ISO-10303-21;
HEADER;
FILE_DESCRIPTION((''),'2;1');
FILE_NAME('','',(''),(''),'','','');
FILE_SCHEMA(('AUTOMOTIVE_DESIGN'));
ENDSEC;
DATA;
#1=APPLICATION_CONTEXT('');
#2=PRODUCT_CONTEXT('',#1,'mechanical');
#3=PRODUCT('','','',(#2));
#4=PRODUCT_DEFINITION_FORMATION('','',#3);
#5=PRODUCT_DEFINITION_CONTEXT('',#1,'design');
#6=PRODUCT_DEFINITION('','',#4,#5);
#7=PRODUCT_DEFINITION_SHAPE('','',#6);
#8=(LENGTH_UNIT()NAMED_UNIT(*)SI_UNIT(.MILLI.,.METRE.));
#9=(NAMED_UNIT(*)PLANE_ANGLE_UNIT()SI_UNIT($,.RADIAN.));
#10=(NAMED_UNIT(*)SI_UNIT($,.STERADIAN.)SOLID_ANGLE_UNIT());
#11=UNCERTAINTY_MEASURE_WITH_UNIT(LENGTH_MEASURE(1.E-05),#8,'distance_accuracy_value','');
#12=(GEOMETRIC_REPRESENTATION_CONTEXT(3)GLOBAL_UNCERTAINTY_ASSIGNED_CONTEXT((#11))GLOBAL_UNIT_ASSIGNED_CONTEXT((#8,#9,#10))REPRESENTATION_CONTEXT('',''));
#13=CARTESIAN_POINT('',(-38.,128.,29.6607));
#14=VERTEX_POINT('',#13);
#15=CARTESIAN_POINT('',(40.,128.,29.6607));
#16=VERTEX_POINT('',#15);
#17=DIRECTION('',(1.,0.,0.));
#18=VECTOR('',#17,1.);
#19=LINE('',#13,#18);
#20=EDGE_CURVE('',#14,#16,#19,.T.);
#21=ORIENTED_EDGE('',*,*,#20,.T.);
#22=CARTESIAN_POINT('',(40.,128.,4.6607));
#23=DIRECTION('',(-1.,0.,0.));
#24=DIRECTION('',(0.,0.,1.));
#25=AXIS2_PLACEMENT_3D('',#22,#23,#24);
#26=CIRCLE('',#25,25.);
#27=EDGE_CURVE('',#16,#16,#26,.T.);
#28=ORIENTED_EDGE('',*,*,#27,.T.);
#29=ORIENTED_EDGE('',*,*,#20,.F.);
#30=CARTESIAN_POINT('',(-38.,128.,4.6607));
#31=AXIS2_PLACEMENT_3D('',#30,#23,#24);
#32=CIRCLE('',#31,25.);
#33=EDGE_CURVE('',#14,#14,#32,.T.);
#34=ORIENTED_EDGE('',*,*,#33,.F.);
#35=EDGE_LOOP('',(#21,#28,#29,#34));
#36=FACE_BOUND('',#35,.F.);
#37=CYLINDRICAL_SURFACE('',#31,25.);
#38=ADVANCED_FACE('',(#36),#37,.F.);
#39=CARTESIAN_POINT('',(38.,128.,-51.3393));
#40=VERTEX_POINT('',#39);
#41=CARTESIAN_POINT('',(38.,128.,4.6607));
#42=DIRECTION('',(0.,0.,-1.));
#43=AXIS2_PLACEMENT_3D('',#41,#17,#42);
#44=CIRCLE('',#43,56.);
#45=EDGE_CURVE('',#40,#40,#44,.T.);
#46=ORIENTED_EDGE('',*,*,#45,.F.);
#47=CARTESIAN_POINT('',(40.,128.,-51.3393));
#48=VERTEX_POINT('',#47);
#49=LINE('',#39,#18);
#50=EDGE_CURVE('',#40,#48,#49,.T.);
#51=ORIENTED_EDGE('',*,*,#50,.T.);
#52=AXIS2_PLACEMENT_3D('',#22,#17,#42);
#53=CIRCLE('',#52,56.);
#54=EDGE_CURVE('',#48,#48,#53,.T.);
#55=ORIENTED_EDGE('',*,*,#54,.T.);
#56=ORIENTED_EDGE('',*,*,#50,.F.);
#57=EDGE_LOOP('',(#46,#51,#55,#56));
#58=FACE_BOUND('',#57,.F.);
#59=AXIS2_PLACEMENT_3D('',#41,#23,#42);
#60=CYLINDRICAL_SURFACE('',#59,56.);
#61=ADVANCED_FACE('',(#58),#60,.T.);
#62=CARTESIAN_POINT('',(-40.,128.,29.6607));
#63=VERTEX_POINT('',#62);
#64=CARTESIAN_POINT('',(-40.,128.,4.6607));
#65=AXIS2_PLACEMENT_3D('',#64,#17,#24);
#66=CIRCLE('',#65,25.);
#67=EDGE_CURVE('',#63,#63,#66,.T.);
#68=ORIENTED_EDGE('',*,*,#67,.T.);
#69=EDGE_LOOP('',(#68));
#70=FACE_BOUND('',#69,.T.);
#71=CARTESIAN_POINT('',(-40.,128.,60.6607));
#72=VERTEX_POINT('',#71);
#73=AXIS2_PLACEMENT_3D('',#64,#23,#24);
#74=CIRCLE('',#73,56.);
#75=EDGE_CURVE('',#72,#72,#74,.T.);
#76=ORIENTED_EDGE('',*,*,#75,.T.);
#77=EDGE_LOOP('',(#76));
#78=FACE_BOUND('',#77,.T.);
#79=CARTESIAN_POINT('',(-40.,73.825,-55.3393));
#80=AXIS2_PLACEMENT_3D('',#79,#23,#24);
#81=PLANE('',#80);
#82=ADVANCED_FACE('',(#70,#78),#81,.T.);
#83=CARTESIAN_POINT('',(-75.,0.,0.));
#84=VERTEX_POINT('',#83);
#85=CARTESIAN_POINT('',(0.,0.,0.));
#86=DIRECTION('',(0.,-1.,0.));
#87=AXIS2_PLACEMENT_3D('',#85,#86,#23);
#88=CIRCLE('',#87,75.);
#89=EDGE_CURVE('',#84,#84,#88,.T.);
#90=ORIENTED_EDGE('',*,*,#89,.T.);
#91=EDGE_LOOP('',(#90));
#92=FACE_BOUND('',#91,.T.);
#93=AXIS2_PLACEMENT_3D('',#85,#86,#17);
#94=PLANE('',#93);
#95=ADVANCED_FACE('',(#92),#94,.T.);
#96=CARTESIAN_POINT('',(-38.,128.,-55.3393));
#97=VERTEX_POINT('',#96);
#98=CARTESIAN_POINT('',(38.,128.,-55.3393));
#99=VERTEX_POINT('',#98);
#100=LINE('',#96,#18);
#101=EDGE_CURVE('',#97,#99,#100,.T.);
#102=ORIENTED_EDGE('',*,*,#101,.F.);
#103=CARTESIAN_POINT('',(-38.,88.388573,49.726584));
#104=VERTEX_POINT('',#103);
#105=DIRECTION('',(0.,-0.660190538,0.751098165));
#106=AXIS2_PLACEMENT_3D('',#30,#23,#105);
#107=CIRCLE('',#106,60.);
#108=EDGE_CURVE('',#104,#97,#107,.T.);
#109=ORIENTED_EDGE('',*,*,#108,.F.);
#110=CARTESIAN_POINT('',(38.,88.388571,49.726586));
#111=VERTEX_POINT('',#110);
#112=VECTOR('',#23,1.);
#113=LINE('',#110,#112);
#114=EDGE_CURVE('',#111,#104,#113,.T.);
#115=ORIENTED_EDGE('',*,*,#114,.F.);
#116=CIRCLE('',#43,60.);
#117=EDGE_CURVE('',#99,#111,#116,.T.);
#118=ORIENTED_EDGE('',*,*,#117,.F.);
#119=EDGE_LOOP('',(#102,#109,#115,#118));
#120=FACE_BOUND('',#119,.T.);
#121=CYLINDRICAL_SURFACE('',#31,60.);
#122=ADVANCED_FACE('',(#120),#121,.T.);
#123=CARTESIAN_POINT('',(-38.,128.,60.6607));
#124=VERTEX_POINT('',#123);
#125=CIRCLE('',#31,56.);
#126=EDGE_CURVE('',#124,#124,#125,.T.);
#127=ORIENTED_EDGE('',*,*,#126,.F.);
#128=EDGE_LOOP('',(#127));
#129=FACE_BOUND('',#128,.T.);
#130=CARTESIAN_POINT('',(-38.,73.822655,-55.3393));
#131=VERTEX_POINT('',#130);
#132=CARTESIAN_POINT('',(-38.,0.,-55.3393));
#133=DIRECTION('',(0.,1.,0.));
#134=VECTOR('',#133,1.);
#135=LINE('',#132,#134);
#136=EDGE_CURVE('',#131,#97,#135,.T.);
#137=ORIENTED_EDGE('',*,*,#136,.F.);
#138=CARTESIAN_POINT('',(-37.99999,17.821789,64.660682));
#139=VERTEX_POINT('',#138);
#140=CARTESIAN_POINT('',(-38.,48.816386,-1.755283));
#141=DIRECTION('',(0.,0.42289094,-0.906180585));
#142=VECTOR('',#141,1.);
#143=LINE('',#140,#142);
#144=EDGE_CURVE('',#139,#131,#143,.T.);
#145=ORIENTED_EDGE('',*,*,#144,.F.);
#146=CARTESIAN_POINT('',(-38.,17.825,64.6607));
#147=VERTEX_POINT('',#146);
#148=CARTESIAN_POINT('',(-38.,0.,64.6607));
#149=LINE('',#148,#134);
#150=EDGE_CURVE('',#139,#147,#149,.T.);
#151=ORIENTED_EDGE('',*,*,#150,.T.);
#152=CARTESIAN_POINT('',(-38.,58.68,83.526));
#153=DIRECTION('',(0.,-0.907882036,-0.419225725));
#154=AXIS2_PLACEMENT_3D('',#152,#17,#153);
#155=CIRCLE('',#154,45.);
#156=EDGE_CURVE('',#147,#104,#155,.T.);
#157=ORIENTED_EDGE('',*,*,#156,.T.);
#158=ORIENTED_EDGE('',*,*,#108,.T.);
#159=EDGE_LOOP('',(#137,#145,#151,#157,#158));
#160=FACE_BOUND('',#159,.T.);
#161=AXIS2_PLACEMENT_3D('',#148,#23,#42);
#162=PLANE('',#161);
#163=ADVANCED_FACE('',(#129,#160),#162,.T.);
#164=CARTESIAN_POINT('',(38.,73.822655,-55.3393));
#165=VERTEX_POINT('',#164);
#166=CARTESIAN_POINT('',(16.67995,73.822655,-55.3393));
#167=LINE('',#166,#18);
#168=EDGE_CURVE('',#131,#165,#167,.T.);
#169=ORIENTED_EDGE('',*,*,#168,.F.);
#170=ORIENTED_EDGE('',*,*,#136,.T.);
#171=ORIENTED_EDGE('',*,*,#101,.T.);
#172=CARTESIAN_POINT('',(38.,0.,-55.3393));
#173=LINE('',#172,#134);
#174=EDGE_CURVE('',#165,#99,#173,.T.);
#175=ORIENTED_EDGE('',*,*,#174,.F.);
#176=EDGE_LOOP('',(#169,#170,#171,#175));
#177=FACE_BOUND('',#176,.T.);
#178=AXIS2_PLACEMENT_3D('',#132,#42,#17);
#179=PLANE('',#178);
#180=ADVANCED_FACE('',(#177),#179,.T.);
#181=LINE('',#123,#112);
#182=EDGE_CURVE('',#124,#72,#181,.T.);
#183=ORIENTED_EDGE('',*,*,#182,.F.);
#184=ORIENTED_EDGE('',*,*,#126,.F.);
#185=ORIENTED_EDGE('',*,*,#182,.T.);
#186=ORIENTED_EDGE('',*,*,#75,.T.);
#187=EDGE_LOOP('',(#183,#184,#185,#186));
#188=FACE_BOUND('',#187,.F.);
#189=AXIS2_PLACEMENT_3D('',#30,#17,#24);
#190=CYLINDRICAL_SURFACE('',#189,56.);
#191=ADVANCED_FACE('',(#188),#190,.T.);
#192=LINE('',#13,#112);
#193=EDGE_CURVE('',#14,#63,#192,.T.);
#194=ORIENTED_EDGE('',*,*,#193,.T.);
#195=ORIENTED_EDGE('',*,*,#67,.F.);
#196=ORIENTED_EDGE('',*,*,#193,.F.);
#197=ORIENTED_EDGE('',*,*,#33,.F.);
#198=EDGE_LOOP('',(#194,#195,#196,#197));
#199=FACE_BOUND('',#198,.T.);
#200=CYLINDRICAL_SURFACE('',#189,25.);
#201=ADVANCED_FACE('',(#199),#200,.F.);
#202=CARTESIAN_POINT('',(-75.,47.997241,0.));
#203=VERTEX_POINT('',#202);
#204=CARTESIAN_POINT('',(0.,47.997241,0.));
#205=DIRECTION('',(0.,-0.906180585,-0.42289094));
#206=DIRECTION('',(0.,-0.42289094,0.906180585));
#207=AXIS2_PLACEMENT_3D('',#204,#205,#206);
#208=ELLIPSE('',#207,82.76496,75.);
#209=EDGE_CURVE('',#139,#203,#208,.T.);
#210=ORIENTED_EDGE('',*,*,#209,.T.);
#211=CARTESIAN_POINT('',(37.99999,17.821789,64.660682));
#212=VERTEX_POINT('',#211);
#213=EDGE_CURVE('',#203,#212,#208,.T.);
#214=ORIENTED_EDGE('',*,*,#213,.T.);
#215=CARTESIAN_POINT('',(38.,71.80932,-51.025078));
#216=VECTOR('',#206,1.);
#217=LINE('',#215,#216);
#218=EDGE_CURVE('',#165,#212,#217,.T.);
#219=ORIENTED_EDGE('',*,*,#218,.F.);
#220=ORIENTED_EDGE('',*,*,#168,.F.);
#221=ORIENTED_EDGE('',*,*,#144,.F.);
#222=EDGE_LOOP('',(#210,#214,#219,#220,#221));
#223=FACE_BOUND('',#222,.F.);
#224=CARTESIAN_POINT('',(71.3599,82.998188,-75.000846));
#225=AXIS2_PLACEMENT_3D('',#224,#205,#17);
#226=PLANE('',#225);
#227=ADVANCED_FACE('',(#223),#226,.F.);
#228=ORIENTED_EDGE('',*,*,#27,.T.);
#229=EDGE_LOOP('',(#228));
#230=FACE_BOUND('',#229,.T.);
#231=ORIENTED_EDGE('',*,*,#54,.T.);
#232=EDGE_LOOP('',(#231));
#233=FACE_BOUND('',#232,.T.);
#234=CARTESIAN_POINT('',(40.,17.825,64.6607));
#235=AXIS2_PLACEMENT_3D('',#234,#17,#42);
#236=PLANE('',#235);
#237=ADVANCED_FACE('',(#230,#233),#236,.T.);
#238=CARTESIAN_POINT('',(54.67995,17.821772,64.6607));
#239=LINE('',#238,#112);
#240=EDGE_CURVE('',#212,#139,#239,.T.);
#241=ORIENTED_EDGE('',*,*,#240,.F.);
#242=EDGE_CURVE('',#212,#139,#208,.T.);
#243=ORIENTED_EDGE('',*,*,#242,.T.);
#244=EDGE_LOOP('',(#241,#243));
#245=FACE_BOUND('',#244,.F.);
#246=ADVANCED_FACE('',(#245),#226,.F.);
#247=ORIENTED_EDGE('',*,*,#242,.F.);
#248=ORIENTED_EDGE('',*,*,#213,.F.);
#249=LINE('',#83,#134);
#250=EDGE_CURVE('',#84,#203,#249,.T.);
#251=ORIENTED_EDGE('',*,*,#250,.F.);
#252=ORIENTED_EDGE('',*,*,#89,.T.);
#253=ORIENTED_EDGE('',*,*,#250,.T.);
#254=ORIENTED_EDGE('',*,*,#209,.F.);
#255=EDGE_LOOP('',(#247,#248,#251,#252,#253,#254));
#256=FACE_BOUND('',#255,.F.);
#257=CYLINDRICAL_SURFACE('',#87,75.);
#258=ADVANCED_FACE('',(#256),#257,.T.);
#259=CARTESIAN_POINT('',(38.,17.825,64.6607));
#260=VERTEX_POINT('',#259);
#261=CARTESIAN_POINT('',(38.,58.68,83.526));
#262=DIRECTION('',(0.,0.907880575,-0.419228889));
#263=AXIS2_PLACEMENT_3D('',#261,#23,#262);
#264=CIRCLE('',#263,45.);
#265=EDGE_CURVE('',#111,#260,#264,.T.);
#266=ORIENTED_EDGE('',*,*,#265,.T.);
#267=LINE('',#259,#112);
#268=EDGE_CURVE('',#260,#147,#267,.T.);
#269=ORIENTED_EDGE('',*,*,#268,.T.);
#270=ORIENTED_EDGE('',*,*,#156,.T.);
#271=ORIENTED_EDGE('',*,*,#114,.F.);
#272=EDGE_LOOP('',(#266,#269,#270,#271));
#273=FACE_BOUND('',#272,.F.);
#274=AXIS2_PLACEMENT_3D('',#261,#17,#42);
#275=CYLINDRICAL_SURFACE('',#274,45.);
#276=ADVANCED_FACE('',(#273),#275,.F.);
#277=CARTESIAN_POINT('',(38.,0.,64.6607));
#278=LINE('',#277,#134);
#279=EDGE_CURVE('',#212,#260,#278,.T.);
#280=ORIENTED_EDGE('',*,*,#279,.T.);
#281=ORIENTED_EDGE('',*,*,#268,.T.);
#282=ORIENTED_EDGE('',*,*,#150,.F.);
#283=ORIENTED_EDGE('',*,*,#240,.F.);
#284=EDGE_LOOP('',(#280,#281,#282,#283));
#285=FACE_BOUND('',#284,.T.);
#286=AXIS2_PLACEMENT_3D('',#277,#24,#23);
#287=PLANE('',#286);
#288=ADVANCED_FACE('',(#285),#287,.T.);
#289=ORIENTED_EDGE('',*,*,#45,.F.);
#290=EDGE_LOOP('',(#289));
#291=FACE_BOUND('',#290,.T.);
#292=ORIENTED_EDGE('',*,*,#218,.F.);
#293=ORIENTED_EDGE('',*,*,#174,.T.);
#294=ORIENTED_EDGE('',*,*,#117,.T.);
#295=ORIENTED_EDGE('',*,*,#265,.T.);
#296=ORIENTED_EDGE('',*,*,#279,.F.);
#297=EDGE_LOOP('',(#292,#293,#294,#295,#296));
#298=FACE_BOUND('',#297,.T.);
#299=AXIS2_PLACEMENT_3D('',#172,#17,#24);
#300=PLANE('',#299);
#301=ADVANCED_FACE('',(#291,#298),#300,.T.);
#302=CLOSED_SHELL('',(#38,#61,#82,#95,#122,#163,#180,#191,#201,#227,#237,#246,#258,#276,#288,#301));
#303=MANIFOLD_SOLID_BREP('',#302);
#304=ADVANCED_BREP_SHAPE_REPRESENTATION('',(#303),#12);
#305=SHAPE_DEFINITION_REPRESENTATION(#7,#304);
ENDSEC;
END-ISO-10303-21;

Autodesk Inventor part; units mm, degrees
ref_plane "YZ Plane" through (0, 0, 0) normal (1, 0, 0) x (0, 1, 0)
ref_plane "XZ Plane" through (0, 0, 0) normal (0, 1, 0) x (-1, 0, 0)
sketch "Sketch1" plane through (0, 0, 0) normal (0, 1, 0) x (-1, 0, 0)
  circle A0 centre (0, 0) radius 75
  dimension "d0" = 150
extrude "Extrusion1" add sketch "Sketch1" along normal blind 83
ref_plane "Work Plane1" through (71.3599, 83, -75) normal (0, -0.9062, -0.4229) x (1, 0, 0)
sketch "Sketch4" plane through (71.3599, 83, -75) normal (0, -0.9062, -0.4229) x (1, 0, 0)
  line L0 (-176.8472, 196.5702) -> (33.3097, 196.5702)
  line L1 (33.3097, 196.5702) -> (33.3097, -66.4056)
  line L2 (33.3097, -66.4056) -> (-176.8472, -66.4056)
  line L3 (-176.8472, -66.4056) -> (-176.8472, 196.5702)
  point P0 (-71.3599, 103.0632)
extrude "Extrusion4" cut sketch "Sketch4" against normal blind 80
sketch "Sketch5" plane through (0, 0, 0) normal (0, -1, 0) x (1, 0, 0)
  circle A0 centre (0, 0) radius 75 projected
  line L0 (38, 64.6607) -> (-38, 64.6607)
  line L1 (-38, 64.6607) -> (-38, -55.3393)
  line L2 (-38, -55.3393) -> (38, -55.3393)
  line L3 (38, -55.3393) -> (38, 64.6607)
  dimension "d9" = 76
  dimension "d10" = 120
extrude "Extrusion5" add sketch "Sketch5" against normal blind 188 contours L3 L2 L1 L0
sketch "Sketch6" plane through (38, 17.825, 64.6607) normal (1, 0, 0) x (0, 0, -1)
  circle A0 centre (60, 110.175) radius 60
  line L0 (0, 170.175) -> (120, 170.175) projected
  line L1 (0, 0) -> (0, 170.175) projected
  circle A1 centre (60, 110.175) radius 56
  line L2 (0, 110.175) -> (0, 0)
  line L3 (0, 0) -> (139.6607, 65.175) projected
  circle A2 centre (-18.8653, 40.855) radius 45
  point P0 (64.6607, -17.825)
  point P1 (0, 110.175)
  point P2 (60, 170.175)
  point P3 (0, 81.7096)
  point P4 (0, 0.0004)
  point P5 (14.9341, 70.5636)
  dimension "d13" = 120
  dimension "d20" = 112
  dimension "d32" = 90
extrude "Extrusion6" cut sketch "Sketch6" against normal blind 188 contours A0 L1 L0
sketch "Sketch7" plane through (-38, 73.825, -55.3393) normal (-1, 0, 0) x (0, 0, 1)
  circle A0 centre (60, 54.175) radius 60
  line L0 (0, 0) -> (0, 114.175) projected
  line L1 (0, 0) -> (0, 114.175)
  line L2 (60, 114.175) -> (0, 114.175) projected
  line L3 (0, 114.175) -> (60, 114.175)
  line L4 (60, 114.175) -> (0, 114.175)
  circle A1 centre (60, 54.175) radius 56
  circle A2 centre (60, 54.175) radius 25
  point P0 (55.3393, -73.825)
  point P1 (0, 54.175)
  dimension "d16" = 120
  dimension "d23" = 112
  dimension "d26" = 50
extrude "Extrusion7" cut sketch "Sketch7" against normal blind 188 contours A0 L0 L2
extrude "Extrusion8" add sketch "Sketch6" along normal blind 2 contours A1
extrude "Extrusion9" add sketch "Sketch7" along normal blind 2 contours A1 | A2
extrude "Extrusion10" cut sketch "Sketch7" against normal blind 100 contours A2
extrude "Extrusion11" cut sketch "Sketch7" along normal blind 100 contours A2
extrude "Extrusion12" cut sketch "Sketch6" against normal blind 100 contours A2 L1 picked at (2.4551, 28.6667)
extrude "Extrusion13" cut sketch "Sketch6" against normal blind 100 contours A2 L1 A0
